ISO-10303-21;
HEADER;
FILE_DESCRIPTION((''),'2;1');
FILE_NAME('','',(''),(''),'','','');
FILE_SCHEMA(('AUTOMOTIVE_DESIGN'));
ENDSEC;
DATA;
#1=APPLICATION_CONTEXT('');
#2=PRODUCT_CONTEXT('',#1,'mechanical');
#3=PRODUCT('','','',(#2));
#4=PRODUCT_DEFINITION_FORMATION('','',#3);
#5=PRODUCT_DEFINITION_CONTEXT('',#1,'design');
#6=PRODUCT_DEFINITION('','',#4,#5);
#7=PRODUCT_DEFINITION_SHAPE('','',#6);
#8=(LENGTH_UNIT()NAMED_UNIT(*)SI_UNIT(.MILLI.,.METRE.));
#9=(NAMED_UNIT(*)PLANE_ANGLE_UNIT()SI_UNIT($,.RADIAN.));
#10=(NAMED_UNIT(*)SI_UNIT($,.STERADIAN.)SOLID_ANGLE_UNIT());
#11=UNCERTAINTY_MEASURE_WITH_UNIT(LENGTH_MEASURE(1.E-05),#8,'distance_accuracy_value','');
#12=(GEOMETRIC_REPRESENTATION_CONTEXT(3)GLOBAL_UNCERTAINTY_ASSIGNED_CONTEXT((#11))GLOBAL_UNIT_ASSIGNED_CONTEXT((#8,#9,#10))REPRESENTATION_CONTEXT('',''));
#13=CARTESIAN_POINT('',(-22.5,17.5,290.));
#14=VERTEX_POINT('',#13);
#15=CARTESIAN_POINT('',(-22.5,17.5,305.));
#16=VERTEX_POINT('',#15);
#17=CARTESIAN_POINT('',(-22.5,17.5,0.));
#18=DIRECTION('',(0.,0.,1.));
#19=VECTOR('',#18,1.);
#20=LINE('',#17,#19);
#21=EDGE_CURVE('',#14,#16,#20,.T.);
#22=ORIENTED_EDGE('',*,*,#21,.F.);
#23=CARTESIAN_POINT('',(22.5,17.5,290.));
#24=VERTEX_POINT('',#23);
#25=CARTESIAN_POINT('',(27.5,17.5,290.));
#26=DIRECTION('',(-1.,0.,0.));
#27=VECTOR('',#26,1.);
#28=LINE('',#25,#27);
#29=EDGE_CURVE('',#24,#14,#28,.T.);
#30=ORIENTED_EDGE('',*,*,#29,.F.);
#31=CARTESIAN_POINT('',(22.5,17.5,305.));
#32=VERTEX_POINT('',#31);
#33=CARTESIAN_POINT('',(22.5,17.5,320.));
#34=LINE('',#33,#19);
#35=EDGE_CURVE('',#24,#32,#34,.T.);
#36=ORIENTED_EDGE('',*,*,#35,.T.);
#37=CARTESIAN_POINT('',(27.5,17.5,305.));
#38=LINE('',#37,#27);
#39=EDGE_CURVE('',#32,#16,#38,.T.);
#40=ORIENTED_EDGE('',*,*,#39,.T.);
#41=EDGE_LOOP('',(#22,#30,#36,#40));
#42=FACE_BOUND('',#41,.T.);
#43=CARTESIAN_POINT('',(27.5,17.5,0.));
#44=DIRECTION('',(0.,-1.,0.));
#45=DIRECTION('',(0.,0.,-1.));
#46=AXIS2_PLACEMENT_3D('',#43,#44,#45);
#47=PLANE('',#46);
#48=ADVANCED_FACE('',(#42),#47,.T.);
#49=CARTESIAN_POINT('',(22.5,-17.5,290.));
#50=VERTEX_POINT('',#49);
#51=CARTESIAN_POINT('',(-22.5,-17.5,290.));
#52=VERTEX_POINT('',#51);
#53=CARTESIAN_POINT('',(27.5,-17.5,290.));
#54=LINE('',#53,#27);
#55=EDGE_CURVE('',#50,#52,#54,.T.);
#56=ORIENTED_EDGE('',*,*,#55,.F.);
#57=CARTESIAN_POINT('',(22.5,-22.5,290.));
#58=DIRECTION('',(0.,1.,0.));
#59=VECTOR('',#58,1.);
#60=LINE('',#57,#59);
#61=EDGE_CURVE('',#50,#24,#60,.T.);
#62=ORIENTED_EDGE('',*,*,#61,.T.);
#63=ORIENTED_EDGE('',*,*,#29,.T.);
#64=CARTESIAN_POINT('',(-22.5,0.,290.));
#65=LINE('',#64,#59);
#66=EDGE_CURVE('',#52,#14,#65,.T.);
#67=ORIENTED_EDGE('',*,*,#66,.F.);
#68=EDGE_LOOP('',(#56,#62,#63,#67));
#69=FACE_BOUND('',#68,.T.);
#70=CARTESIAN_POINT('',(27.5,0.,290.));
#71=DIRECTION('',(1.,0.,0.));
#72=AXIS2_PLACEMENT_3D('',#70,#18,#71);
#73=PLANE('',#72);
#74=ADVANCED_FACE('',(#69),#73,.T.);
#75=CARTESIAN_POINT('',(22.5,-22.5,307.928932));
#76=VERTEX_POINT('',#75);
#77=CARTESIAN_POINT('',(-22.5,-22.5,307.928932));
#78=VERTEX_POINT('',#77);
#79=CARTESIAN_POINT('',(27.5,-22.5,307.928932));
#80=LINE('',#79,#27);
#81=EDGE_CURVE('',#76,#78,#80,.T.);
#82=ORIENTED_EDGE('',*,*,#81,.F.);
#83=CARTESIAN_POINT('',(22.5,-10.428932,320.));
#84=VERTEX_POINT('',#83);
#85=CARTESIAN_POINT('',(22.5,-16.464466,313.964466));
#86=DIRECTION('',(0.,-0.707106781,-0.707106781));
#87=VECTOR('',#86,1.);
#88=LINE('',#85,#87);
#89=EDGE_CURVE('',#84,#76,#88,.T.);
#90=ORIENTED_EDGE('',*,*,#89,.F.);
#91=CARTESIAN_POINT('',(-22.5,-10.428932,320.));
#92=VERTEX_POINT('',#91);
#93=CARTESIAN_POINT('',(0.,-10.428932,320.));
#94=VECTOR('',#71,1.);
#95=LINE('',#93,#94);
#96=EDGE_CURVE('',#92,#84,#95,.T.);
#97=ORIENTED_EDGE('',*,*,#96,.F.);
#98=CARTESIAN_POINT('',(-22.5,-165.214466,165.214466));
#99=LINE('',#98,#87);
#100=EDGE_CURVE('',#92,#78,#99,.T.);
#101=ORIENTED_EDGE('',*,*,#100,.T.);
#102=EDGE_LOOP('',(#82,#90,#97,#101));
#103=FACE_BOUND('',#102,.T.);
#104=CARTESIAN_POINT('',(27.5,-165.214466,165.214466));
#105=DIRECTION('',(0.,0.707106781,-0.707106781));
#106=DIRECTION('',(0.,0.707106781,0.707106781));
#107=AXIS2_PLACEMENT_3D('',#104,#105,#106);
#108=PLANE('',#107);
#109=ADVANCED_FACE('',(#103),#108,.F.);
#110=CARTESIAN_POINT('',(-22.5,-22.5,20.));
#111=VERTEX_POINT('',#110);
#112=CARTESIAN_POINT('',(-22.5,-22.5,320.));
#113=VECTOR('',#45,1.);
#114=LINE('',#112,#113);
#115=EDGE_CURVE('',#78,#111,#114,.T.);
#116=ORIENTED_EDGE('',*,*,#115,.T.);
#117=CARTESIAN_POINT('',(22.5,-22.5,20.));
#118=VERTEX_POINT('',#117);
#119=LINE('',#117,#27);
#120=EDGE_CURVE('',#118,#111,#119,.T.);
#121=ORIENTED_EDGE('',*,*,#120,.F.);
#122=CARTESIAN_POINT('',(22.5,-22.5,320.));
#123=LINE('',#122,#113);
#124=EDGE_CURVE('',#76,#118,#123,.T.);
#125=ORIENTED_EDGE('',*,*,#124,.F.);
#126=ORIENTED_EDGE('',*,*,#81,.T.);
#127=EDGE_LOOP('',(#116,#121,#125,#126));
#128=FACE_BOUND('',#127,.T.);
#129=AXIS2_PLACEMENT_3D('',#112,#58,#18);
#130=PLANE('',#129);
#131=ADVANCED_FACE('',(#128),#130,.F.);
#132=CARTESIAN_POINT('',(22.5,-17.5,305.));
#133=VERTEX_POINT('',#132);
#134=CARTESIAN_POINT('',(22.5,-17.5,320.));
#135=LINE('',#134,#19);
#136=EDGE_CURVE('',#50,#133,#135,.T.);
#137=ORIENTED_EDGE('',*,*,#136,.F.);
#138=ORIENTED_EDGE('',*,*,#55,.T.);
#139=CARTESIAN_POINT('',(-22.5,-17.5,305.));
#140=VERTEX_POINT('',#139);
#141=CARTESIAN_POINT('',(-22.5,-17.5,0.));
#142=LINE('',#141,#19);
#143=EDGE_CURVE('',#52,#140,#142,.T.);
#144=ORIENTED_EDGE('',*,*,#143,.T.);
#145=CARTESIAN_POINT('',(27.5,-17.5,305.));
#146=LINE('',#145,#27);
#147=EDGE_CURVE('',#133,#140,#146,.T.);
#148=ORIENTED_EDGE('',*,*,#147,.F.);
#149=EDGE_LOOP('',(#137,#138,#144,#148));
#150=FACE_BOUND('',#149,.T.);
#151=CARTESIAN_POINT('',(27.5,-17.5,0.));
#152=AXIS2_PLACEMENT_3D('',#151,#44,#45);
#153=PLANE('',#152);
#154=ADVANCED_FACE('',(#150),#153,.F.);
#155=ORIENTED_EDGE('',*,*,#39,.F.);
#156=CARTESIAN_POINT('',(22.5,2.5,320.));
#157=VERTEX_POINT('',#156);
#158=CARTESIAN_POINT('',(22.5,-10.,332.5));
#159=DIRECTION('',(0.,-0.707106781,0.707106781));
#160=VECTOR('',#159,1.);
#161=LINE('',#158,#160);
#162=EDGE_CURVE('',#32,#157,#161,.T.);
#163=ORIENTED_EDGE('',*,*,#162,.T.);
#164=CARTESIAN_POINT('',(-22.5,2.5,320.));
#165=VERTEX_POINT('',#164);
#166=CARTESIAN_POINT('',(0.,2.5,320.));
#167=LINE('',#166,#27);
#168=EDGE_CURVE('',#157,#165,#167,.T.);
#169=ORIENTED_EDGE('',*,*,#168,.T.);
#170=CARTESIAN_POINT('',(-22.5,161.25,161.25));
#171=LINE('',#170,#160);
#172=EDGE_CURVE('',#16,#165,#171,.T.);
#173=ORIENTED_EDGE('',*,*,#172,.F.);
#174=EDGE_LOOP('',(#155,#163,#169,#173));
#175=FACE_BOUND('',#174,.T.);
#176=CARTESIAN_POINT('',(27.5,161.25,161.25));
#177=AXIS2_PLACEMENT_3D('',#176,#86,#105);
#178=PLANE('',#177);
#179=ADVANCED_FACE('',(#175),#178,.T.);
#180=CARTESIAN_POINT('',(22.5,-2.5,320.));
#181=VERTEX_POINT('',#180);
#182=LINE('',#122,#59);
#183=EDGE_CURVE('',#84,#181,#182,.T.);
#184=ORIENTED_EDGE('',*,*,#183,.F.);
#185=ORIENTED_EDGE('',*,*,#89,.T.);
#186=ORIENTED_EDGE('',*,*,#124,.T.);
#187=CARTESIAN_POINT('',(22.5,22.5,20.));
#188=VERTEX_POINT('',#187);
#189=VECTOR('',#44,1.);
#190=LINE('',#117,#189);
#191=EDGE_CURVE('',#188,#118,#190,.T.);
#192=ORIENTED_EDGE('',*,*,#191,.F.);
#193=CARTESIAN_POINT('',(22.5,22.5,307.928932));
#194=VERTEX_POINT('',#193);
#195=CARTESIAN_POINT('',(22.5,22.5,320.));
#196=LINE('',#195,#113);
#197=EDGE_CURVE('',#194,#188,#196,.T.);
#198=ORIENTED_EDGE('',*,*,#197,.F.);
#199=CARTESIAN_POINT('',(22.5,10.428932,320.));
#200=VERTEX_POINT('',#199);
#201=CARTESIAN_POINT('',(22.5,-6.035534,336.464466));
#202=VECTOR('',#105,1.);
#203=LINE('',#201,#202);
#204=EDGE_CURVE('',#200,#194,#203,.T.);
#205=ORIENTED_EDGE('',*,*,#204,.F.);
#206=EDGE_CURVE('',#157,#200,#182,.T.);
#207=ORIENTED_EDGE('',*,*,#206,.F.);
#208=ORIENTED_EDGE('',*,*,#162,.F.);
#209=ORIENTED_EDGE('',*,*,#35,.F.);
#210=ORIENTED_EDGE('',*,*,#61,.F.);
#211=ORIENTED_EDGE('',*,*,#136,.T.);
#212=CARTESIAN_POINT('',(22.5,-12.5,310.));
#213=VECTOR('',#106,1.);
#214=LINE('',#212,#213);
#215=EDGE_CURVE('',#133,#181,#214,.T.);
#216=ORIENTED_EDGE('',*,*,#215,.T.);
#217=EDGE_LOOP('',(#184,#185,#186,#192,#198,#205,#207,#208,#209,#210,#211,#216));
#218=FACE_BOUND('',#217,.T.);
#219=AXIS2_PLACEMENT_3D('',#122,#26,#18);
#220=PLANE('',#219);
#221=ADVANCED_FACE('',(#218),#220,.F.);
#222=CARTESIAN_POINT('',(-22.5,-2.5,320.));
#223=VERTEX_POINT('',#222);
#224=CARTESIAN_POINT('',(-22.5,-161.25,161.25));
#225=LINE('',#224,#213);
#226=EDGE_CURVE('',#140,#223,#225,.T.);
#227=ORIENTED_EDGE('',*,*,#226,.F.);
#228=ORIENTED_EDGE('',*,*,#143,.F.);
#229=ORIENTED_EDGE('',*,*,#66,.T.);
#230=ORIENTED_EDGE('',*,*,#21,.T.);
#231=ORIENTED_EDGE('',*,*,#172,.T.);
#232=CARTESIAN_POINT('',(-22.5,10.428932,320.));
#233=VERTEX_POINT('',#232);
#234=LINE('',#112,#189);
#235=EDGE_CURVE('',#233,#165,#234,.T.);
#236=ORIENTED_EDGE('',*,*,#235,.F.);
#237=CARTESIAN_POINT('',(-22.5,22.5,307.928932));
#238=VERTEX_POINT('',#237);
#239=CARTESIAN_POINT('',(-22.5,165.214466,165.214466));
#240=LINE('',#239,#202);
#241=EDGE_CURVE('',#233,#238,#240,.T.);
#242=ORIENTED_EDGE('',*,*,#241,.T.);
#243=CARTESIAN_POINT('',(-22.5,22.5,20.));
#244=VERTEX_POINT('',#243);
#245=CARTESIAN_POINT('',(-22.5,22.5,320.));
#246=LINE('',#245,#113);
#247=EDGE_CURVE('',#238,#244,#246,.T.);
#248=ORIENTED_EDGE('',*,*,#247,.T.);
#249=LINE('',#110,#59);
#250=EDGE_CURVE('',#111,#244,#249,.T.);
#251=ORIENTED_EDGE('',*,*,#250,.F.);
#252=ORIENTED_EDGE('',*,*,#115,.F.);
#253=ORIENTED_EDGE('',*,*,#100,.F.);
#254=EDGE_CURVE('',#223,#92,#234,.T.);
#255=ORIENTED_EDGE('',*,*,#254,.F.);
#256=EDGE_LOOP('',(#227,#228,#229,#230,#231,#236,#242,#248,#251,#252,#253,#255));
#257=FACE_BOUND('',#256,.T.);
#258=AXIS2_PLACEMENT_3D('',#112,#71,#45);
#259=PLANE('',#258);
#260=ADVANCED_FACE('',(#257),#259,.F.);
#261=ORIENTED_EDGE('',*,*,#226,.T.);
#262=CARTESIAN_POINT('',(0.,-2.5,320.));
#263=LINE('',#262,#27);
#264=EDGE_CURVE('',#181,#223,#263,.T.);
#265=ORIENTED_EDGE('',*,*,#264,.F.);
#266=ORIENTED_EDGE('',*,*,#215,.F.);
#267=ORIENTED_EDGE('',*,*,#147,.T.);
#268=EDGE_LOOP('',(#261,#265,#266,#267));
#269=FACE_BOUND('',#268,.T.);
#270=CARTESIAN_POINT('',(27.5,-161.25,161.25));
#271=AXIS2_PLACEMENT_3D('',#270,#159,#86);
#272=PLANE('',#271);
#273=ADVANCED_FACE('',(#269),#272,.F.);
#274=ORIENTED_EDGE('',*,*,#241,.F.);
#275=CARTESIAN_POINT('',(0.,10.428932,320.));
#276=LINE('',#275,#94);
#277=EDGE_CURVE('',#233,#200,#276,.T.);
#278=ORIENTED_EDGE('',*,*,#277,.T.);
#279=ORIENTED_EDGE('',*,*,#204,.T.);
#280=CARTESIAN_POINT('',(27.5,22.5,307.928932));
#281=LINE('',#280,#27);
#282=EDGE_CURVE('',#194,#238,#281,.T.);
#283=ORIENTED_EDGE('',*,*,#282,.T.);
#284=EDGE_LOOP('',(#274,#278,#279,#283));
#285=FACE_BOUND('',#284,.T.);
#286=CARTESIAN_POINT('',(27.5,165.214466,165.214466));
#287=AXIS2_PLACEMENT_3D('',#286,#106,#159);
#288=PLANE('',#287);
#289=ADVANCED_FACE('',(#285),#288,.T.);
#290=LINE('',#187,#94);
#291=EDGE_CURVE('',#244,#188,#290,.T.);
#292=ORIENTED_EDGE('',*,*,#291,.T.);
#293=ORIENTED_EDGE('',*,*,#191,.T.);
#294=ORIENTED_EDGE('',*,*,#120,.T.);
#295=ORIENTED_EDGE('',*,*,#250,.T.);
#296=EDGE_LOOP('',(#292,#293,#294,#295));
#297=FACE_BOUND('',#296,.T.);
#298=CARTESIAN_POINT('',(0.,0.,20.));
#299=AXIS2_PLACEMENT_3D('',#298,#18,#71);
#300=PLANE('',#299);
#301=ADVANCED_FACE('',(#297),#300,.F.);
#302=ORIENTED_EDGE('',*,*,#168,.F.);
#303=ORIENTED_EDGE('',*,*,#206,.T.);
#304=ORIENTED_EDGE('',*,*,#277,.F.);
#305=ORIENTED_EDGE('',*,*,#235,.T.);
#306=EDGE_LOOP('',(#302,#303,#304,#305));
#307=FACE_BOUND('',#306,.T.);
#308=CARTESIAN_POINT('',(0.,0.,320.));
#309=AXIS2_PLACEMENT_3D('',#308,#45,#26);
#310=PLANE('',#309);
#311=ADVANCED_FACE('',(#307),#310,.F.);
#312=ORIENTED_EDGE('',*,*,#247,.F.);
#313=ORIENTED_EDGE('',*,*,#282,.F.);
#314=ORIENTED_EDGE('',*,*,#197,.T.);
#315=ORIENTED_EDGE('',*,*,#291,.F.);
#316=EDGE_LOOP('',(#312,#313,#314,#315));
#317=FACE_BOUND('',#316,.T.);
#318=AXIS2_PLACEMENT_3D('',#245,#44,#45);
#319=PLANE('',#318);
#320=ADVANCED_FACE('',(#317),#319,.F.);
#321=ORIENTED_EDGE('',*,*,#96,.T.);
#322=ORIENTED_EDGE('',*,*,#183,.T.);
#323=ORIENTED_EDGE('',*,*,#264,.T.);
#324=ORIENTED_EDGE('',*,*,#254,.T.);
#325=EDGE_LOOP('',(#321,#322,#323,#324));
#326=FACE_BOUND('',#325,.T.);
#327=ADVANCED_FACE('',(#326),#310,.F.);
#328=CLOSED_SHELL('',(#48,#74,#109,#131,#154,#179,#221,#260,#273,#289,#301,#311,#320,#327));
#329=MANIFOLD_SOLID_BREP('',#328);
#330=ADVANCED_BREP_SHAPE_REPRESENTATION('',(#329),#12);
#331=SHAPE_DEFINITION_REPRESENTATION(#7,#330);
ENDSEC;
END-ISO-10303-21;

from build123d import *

# Parameters (mm, degrees)
SKETCH1_W           = 45
SKETCH1_H           = 45
BOSS_EXTRUDE1_DEPTH = 320
CUT_EXTRUDE3_DEPTH  = 50
SKETCH3_W           = 45
SKETCH3_H           = 45
CUT_EXTRUDE4_DEPTH  = 20


with BuildPart() as part:
    # Sketch1 → Boss-Extrude1 (new body)
    with BuildSketch(Plane.XY):
        Rectangle(SKETCH1_W, SKETCH1_H)
    extrude(amount=BOSS_EXTRUDE1_DEPTH)

    # Sketch2 → Cut-Extrude3 (cut)
    with BuildSketch(Plane.ZY.offset(22.5)):
        Polygon((290, 17.5), (290, -17.5), (305, -17.5), (320, -2.5), (320, 2.5), (305, 17.5), align=None)
        Polygon((320, 22.5), (307.928932188, 22.5), (320, 10.428932188), align=None)
        Polygon((320, -10.428932188), (307.928932188, -22.5), (320, -22.5), align=None)
    extrude(amount=-CUT_EXTRUDE3_DEPTH, mode=Mode.SUBTRACT)

    # Sketch3 → Cut-Extrude4 (cut)
    with BuildSketch(Plane(origin=(0, 0, 0), x_dir=(-1, 0, 0), z_dir=(0, 0, -1))):
        Rectangle(SKETCH3_W, SKETCH3_H)
    extrude(amount=-CUT_EXTRUDE4_DEPTH, mode=Mode.SUBTRACT)


solid = part.part
